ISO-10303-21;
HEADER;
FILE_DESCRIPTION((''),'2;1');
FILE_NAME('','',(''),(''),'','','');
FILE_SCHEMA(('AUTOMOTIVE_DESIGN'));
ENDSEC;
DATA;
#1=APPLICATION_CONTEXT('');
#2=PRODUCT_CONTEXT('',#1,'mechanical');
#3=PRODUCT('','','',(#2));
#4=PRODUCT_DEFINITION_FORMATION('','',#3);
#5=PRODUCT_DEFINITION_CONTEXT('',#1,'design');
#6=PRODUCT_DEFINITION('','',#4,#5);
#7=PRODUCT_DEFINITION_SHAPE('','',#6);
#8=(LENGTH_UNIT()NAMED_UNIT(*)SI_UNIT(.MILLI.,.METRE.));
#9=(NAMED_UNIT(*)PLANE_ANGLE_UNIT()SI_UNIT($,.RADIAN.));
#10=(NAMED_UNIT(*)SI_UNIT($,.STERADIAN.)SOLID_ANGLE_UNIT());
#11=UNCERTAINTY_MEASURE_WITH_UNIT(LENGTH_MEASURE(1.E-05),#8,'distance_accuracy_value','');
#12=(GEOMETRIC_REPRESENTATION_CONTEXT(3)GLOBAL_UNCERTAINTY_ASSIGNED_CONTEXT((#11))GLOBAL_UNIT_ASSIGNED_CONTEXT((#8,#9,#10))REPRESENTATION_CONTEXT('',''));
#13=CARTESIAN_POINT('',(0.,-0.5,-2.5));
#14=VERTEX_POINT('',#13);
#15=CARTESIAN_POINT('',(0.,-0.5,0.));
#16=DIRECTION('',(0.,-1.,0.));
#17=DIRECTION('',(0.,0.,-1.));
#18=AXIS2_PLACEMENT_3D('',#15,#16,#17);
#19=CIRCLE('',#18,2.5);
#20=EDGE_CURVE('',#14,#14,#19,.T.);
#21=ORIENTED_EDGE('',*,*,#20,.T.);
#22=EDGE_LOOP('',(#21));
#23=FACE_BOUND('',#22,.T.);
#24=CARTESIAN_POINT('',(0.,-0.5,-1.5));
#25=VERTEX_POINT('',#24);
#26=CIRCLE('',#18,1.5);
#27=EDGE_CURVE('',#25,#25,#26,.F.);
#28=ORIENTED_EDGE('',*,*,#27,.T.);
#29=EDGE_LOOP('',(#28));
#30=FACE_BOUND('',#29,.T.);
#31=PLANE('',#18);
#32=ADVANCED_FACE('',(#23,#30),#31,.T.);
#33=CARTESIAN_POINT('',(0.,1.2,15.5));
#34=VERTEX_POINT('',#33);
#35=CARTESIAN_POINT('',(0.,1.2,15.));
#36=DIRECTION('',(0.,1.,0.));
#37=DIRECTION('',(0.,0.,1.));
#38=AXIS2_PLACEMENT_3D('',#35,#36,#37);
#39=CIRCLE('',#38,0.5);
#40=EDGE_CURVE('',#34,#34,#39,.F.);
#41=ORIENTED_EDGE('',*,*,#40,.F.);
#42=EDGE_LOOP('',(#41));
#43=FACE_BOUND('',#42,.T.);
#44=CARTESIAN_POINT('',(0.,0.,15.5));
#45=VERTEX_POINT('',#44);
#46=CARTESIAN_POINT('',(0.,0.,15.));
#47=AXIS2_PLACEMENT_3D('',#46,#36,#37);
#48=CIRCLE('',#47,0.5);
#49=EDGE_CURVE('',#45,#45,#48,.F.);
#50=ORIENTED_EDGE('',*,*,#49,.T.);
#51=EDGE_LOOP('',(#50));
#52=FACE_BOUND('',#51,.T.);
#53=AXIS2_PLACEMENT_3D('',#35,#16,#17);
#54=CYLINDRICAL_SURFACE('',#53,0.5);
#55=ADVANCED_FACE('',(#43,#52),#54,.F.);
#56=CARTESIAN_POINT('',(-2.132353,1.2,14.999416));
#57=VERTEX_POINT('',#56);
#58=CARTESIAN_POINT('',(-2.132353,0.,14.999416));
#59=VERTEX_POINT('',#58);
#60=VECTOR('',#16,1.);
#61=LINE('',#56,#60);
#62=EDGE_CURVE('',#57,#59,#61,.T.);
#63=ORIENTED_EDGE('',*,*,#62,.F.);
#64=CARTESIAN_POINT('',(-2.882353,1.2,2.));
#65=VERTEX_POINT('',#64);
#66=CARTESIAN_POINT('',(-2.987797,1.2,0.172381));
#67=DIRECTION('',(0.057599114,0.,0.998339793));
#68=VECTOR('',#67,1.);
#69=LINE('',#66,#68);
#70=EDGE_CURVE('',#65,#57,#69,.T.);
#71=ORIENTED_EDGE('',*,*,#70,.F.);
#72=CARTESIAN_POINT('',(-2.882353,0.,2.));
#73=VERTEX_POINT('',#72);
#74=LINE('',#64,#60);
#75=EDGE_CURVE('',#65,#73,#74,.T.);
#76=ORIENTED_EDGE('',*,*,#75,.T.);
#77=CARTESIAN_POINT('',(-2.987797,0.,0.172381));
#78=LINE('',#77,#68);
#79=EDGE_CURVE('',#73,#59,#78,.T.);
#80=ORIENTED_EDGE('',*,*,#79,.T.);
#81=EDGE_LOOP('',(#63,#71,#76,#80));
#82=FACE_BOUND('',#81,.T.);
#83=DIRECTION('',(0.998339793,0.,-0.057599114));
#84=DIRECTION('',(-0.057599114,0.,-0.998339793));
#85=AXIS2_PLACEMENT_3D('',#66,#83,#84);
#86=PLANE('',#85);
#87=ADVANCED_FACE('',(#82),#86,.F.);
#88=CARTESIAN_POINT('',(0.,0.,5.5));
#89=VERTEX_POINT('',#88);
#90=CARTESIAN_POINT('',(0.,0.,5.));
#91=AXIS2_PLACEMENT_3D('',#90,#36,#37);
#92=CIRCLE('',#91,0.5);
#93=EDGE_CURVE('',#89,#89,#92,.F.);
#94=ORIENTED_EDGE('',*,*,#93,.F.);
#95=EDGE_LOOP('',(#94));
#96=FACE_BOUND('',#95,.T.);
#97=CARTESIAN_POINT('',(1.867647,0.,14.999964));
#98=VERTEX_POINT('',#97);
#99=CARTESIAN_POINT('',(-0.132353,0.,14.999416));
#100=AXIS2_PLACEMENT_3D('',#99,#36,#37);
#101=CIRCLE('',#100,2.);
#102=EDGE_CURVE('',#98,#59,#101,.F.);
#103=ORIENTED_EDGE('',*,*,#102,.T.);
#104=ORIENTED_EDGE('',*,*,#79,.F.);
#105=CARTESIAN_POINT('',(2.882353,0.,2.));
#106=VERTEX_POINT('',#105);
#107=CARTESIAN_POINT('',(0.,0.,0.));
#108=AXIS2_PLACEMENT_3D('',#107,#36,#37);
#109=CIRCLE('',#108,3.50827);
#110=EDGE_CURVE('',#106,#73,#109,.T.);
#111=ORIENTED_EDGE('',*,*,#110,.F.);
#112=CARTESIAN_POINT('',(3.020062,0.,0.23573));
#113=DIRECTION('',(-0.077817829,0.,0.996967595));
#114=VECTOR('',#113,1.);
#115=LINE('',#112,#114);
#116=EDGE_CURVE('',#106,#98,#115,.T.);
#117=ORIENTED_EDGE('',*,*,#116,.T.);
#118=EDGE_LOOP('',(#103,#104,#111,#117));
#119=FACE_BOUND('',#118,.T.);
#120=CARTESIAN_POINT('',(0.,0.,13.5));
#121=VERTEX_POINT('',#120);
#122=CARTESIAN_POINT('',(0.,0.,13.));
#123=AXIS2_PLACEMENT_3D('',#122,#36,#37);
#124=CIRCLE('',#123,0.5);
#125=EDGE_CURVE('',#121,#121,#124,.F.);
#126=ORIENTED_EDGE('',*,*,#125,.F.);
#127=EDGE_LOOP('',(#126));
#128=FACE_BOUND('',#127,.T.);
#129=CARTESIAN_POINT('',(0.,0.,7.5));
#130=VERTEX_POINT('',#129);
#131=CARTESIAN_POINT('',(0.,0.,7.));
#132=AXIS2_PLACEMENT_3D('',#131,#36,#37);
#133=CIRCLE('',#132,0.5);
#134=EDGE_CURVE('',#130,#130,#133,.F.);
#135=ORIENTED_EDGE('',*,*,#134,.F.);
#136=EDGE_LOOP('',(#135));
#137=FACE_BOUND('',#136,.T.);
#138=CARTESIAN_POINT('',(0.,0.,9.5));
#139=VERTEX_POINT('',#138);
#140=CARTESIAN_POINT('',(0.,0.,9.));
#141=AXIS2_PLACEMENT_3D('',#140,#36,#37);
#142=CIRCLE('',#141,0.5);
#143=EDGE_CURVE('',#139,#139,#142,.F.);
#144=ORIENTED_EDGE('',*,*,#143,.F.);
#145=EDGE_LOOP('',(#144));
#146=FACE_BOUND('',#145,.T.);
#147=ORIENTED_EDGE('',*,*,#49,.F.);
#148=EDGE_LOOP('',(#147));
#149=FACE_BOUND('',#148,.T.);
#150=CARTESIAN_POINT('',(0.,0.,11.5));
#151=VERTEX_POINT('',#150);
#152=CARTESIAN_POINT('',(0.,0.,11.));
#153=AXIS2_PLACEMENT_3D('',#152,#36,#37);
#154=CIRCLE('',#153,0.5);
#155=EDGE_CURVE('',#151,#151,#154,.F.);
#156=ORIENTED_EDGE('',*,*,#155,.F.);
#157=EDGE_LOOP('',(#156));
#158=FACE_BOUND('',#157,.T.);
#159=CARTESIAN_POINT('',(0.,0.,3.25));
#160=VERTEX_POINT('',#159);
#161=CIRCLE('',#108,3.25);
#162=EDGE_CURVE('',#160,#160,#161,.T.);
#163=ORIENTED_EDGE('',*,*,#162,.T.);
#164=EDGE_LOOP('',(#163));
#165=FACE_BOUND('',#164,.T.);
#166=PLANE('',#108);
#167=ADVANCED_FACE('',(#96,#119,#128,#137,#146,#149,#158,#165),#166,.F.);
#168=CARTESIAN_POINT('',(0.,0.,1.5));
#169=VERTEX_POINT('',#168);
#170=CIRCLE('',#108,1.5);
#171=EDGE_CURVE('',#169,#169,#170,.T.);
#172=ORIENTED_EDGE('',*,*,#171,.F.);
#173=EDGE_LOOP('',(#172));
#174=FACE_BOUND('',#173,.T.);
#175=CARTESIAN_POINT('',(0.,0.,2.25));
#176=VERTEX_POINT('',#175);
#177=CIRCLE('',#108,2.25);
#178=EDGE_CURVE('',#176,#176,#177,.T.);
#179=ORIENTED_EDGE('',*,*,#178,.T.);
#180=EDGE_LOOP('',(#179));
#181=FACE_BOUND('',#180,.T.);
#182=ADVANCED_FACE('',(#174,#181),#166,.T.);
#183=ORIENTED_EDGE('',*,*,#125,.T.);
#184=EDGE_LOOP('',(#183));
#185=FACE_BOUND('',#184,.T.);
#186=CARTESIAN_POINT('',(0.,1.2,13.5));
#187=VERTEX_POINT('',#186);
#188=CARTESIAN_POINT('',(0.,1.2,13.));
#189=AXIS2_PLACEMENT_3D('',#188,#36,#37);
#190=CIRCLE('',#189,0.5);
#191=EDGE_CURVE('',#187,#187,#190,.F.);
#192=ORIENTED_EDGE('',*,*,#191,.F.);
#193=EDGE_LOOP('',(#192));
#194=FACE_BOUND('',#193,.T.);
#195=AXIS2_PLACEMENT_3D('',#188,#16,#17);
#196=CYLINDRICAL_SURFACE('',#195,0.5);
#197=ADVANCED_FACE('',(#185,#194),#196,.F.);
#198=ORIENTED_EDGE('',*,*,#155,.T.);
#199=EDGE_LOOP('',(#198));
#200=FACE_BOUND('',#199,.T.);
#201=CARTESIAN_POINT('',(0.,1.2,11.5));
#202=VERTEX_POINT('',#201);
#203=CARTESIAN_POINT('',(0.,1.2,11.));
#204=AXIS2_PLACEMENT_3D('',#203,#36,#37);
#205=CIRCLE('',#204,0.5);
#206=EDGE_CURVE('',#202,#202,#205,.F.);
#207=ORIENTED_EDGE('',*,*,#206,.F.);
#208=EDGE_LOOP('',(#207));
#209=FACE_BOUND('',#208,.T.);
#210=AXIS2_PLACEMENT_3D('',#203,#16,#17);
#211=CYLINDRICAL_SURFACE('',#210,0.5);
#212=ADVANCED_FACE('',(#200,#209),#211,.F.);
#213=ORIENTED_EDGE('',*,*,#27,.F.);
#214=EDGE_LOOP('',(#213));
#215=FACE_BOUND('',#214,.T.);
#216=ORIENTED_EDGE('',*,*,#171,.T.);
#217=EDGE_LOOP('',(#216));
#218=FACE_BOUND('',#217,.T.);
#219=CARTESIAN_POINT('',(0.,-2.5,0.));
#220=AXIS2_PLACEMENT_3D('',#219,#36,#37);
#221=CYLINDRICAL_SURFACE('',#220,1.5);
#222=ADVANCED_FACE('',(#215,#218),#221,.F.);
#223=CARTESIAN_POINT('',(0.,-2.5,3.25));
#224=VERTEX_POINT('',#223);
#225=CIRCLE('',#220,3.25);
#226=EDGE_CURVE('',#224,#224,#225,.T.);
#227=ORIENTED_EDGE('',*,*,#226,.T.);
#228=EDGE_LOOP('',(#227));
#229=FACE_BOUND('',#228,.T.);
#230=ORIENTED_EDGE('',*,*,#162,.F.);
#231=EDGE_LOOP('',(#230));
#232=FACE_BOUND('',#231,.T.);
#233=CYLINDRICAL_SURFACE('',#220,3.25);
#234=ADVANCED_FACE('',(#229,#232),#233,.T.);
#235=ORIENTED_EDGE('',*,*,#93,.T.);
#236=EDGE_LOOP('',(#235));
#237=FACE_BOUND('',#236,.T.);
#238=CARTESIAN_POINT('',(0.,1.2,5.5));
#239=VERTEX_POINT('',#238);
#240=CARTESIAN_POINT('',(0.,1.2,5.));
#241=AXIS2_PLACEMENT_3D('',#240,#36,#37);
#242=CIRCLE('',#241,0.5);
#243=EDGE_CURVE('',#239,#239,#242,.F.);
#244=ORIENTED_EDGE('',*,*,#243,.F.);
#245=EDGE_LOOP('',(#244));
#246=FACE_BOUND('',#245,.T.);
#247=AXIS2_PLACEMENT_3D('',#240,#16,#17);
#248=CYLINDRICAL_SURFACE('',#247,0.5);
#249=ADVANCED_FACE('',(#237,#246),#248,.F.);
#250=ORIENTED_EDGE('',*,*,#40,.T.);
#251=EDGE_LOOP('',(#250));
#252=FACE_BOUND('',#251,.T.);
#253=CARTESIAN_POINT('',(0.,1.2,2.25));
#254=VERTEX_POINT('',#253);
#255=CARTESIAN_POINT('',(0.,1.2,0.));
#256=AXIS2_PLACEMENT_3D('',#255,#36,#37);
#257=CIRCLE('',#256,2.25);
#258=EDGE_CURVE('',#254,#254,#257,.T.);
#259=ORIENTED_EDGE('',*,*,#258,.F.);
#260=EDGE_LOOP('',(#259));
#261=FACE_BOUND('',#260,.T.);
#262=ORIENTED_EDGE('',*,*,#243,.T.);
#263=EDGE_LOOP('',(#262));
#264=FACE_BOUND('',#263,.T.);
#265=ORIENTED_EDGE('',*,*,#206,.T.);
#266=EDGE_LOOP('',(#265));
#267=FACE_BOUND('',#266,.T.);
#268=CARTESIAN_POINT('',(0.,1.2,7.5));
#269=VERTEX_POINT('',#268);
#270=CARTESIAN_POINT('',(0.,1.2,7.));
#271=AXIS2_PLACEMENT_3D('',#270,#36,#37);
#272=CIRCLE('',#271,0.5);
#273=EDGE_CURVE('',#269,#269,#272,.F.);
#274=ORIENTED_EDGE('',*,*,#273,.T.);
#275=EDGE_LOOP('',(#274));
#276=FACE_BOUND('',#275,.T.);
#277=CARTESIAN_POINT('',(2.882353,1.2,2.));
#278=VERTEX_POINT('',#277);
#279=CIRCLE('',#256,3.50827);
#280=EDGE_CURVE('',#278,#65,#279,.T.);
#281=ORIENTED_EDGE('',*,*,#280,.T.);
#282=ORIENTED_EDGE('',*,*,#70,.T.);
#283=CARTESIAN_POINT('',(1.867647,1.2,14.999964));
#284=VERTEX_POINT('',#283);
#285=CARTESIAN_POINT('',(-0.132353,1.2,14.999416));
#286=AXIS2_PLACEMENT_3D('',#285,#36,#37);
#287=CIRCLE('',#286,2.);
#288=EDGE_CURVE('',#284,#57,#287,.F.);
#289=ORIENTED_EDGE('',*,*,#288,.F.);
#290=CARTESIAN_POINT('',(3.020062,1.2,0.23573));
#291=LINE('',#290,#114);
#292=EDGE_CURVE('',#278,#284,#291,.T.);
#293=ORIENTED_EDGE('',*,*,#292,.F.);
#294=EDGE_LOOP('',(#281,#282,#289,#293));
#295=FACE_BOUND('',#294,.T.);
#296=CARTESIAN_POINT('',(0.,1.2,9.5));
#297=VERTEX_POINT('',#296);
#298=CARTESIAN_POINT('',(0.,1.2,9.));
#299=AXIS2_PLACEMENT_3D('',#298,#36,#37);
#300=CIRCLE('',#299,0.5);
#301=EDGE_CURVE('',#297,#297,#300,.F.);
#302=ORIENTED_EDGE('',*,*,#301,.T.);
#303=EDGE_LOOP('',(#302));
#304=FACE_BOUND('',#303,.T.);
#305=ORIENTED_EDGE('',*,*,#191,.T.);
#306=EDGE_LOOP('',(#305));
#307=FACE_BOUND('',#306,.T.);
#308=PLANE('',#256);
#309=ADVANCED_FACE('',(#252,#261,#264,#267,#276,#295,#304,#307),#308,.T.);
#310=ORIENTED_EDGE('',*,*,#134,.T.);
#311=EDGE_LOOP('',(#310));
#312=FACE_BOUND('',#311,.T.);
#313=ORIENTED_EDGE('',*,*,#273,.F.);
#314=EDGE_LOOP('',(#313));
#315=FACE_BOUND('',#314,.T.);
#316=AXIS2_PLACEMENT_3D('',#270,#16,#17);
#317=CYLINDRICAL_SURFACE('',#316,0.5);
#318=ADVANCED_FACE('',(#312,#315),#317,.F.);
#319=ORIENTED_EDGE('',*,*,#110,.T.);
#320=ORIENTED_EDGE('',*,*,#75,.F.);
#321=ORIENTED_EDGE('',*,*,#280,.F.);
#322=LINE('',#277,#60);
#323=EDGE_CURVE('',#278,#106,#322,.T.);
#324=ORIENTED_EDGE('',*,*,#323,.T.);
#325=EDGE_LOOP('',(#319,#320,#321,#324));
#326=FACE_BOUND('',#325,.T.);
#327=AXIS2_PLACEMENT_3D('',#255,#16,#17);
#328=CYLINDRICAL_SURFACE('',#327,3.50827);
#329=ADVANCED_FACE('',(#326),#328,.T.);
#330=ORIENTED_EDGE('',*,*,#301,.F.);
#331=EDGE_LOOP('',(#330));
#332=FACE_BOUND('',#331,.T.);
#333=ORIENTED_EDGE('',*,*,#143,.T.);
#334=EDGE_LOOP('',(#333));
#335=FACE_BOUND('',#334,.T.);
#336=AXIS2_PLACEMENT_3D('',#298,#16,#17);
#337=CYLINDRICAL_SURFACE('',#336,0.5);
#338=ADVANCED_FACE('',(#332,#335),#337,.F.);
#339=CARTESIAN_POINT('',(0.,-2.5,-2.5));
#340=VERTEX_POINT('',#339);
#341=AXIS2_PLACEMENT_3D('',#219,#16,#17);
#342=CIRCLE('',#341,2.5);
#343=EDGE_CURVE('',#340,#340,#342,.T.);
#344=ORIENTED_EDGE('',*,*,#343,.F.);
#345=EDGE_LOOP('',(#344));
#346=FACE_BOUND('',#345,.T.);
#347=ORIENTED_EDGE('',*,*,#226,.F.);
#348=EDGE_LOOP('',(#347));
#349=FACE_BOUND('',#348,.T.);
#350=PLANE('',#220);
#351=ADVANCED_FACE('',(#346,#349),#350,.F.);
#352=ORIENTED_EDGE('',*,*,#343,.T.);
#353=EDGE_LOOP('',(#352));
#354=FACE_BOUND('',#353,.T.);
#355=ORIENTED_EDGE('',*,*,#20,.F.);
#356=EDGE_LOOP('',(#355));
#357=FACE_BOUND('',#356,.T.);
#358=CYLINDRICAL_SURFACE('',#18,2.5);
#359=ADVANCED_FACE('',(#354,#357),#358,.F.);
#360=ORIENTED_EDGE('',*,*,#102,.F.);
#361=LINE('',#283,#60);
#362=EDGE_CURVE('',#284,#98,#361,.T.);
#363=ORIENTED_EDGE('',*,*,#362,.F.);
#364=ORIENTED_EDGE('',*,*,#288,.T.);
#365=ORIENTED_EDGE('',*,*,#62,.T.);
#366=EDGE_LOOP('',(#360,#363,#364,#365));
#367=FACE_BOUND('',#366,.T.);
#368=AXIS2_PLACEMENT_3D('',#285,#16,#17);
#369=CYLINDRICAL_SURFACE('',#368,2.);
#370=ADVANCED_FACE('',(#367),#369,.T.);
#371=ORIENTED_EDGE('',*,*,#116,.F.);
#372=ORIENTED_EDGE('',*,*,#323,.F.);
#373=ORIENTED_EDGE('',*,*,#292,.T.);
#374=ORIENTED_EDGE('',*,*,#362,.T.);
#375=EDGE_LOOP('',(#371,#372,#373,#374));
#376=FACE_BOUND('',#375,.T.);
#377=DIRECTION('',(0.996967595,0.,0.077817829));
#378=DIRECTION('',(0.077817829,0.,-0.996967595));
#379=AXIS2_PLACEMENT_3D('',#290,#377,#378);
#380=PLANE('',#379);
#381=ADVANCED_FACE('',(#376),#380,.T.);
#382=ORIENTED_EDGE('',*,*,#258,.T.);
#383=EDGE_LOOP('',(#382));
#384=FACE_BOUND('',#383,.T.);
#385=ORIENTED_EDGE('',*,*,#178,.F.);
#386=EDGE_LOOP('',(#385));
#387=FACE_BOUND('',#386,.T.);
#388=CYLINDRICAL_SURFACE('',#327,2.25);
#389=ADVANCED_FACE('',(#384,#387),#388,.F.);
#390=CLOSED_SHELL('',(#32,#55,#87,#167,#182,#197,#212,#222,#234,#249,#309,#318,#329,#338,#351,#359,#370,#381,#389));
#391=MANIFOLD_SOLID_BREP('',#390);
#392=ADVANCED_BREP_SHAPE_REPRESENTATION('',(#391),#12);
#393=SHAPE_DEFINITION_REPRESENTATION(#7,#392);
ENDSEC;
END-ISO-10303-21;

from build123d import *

# Parameters (mm, degrees)
SKETCH1_R           = 0.5
SKETCH1_R_2         = 3.508270012
SKETCH1_R_3         = 2.25
BOSS_EXTRUDE1_DEPTH = 1.2
SKETCH2_R           = 3.25
SKETCH2_R_2         = 1.5
BOSS_EXTRUDE2_DEPTH = 2.5
SKETCH3_R           = 2.5
CUT_EXTRUDE1_DEPTH  = 2


with BuildPart() as part:
    # Sketch1 → Boss-Extrude1 (new body)
    # profile 1 of 2: a face of its own
    with BuildSketch(Plane(origin=(0, 0, 0), x_dir=(1, 0, 0), z_dir=(0, 1, 0))):
        with BuildLine():
            ThreePointArc((2.882352941, -2), (0, -3.508270012), (-2.882352941, -2))
            Line((-2.882352941, -2), (-2.132352941, -14.999416075))
            ThreePointArc((-2.132352941, -14.999416075), (-0.132626782, -16.99941606), (1.867646984, -14.999963756))
            Line((1.867646984, -14.999963756), (2.882352941, -2))
        make_face()
        with Locations(Location((0, -15, 0), (0, 0, 270))):
            Circle(SKETCH1_R, mode=Mode.SUBTRACT)
        with Locations(Location((0, -13, 0), (0, 0, 270))):
            Circle(SKETCH1_R, mode=Mode.SUBTRACT)
        with Locations(Location((0, -11, 0), (0, 0, 270))):
            Circle(SKETCH1_R, mode=Mode.SUBTRACT)
        with Locations(Location((0, -9, 0), (0, 0, 270))):
            Circle(SKETCH1_R, mode=Mode.SUBTRACT)
        with Locations(Location((0, -7, 0), (0, 0, 270))):
            Circle(SKETCH1_R, mode=Mode.SUBTRACT)
        with Locations(Location((0, -5, 0), (0, 0, 270))):
            Circle(SKETCH1_R, mode=Mode.SUBTRACT)
    # profile 2 of 2: a face of its own
    with BuildSketch(Plane(origin=(0, 0, 0), x_dir=(1, 0, 0), z_dir=(0, 1, 0))):
        Circle(SKETCH1_R_2)
        with Locations(Location((0, 0, 0), (0, 0, 270))):
            Circle(SKETCH1_R_3, mode=Mode.SUBTRACT)
    extrude(amount=BOSS_EXTRUDE1_DEPTH)

    # Sketch2 → Boss-Extrude2 (add)
    with BuildSketch(Plane(origin=(0, 0, 0), x_dir=(1, 0, 0), z_dir=(0, 1, 0))):
        with Locations(Location((0, 0, 0), (0, 0, 270))):
            Circle(SKETCH2_R)
        with Locations(Location((0, 0, 0), (0, 0, 270))):
            Circle(SKETCH2_R_2, mode=Mode.SUBTRACT)
    extrude(amount=-BOSS_EXTRUDE2_DEPTH)

    # Sketch3 → Cut-Extrude1 (cut)
    with BuildSketch(Plane.XZ.offset(2.5)):
        with Locations(Location((0, 0, 0), (0, 0, 270))):
            Circle(SKETCH3_R)
    extrude(amount=-CUT_EXTRUDE1_DEPTH, mode=Mode.SUBTRACT)


solid = part.part
